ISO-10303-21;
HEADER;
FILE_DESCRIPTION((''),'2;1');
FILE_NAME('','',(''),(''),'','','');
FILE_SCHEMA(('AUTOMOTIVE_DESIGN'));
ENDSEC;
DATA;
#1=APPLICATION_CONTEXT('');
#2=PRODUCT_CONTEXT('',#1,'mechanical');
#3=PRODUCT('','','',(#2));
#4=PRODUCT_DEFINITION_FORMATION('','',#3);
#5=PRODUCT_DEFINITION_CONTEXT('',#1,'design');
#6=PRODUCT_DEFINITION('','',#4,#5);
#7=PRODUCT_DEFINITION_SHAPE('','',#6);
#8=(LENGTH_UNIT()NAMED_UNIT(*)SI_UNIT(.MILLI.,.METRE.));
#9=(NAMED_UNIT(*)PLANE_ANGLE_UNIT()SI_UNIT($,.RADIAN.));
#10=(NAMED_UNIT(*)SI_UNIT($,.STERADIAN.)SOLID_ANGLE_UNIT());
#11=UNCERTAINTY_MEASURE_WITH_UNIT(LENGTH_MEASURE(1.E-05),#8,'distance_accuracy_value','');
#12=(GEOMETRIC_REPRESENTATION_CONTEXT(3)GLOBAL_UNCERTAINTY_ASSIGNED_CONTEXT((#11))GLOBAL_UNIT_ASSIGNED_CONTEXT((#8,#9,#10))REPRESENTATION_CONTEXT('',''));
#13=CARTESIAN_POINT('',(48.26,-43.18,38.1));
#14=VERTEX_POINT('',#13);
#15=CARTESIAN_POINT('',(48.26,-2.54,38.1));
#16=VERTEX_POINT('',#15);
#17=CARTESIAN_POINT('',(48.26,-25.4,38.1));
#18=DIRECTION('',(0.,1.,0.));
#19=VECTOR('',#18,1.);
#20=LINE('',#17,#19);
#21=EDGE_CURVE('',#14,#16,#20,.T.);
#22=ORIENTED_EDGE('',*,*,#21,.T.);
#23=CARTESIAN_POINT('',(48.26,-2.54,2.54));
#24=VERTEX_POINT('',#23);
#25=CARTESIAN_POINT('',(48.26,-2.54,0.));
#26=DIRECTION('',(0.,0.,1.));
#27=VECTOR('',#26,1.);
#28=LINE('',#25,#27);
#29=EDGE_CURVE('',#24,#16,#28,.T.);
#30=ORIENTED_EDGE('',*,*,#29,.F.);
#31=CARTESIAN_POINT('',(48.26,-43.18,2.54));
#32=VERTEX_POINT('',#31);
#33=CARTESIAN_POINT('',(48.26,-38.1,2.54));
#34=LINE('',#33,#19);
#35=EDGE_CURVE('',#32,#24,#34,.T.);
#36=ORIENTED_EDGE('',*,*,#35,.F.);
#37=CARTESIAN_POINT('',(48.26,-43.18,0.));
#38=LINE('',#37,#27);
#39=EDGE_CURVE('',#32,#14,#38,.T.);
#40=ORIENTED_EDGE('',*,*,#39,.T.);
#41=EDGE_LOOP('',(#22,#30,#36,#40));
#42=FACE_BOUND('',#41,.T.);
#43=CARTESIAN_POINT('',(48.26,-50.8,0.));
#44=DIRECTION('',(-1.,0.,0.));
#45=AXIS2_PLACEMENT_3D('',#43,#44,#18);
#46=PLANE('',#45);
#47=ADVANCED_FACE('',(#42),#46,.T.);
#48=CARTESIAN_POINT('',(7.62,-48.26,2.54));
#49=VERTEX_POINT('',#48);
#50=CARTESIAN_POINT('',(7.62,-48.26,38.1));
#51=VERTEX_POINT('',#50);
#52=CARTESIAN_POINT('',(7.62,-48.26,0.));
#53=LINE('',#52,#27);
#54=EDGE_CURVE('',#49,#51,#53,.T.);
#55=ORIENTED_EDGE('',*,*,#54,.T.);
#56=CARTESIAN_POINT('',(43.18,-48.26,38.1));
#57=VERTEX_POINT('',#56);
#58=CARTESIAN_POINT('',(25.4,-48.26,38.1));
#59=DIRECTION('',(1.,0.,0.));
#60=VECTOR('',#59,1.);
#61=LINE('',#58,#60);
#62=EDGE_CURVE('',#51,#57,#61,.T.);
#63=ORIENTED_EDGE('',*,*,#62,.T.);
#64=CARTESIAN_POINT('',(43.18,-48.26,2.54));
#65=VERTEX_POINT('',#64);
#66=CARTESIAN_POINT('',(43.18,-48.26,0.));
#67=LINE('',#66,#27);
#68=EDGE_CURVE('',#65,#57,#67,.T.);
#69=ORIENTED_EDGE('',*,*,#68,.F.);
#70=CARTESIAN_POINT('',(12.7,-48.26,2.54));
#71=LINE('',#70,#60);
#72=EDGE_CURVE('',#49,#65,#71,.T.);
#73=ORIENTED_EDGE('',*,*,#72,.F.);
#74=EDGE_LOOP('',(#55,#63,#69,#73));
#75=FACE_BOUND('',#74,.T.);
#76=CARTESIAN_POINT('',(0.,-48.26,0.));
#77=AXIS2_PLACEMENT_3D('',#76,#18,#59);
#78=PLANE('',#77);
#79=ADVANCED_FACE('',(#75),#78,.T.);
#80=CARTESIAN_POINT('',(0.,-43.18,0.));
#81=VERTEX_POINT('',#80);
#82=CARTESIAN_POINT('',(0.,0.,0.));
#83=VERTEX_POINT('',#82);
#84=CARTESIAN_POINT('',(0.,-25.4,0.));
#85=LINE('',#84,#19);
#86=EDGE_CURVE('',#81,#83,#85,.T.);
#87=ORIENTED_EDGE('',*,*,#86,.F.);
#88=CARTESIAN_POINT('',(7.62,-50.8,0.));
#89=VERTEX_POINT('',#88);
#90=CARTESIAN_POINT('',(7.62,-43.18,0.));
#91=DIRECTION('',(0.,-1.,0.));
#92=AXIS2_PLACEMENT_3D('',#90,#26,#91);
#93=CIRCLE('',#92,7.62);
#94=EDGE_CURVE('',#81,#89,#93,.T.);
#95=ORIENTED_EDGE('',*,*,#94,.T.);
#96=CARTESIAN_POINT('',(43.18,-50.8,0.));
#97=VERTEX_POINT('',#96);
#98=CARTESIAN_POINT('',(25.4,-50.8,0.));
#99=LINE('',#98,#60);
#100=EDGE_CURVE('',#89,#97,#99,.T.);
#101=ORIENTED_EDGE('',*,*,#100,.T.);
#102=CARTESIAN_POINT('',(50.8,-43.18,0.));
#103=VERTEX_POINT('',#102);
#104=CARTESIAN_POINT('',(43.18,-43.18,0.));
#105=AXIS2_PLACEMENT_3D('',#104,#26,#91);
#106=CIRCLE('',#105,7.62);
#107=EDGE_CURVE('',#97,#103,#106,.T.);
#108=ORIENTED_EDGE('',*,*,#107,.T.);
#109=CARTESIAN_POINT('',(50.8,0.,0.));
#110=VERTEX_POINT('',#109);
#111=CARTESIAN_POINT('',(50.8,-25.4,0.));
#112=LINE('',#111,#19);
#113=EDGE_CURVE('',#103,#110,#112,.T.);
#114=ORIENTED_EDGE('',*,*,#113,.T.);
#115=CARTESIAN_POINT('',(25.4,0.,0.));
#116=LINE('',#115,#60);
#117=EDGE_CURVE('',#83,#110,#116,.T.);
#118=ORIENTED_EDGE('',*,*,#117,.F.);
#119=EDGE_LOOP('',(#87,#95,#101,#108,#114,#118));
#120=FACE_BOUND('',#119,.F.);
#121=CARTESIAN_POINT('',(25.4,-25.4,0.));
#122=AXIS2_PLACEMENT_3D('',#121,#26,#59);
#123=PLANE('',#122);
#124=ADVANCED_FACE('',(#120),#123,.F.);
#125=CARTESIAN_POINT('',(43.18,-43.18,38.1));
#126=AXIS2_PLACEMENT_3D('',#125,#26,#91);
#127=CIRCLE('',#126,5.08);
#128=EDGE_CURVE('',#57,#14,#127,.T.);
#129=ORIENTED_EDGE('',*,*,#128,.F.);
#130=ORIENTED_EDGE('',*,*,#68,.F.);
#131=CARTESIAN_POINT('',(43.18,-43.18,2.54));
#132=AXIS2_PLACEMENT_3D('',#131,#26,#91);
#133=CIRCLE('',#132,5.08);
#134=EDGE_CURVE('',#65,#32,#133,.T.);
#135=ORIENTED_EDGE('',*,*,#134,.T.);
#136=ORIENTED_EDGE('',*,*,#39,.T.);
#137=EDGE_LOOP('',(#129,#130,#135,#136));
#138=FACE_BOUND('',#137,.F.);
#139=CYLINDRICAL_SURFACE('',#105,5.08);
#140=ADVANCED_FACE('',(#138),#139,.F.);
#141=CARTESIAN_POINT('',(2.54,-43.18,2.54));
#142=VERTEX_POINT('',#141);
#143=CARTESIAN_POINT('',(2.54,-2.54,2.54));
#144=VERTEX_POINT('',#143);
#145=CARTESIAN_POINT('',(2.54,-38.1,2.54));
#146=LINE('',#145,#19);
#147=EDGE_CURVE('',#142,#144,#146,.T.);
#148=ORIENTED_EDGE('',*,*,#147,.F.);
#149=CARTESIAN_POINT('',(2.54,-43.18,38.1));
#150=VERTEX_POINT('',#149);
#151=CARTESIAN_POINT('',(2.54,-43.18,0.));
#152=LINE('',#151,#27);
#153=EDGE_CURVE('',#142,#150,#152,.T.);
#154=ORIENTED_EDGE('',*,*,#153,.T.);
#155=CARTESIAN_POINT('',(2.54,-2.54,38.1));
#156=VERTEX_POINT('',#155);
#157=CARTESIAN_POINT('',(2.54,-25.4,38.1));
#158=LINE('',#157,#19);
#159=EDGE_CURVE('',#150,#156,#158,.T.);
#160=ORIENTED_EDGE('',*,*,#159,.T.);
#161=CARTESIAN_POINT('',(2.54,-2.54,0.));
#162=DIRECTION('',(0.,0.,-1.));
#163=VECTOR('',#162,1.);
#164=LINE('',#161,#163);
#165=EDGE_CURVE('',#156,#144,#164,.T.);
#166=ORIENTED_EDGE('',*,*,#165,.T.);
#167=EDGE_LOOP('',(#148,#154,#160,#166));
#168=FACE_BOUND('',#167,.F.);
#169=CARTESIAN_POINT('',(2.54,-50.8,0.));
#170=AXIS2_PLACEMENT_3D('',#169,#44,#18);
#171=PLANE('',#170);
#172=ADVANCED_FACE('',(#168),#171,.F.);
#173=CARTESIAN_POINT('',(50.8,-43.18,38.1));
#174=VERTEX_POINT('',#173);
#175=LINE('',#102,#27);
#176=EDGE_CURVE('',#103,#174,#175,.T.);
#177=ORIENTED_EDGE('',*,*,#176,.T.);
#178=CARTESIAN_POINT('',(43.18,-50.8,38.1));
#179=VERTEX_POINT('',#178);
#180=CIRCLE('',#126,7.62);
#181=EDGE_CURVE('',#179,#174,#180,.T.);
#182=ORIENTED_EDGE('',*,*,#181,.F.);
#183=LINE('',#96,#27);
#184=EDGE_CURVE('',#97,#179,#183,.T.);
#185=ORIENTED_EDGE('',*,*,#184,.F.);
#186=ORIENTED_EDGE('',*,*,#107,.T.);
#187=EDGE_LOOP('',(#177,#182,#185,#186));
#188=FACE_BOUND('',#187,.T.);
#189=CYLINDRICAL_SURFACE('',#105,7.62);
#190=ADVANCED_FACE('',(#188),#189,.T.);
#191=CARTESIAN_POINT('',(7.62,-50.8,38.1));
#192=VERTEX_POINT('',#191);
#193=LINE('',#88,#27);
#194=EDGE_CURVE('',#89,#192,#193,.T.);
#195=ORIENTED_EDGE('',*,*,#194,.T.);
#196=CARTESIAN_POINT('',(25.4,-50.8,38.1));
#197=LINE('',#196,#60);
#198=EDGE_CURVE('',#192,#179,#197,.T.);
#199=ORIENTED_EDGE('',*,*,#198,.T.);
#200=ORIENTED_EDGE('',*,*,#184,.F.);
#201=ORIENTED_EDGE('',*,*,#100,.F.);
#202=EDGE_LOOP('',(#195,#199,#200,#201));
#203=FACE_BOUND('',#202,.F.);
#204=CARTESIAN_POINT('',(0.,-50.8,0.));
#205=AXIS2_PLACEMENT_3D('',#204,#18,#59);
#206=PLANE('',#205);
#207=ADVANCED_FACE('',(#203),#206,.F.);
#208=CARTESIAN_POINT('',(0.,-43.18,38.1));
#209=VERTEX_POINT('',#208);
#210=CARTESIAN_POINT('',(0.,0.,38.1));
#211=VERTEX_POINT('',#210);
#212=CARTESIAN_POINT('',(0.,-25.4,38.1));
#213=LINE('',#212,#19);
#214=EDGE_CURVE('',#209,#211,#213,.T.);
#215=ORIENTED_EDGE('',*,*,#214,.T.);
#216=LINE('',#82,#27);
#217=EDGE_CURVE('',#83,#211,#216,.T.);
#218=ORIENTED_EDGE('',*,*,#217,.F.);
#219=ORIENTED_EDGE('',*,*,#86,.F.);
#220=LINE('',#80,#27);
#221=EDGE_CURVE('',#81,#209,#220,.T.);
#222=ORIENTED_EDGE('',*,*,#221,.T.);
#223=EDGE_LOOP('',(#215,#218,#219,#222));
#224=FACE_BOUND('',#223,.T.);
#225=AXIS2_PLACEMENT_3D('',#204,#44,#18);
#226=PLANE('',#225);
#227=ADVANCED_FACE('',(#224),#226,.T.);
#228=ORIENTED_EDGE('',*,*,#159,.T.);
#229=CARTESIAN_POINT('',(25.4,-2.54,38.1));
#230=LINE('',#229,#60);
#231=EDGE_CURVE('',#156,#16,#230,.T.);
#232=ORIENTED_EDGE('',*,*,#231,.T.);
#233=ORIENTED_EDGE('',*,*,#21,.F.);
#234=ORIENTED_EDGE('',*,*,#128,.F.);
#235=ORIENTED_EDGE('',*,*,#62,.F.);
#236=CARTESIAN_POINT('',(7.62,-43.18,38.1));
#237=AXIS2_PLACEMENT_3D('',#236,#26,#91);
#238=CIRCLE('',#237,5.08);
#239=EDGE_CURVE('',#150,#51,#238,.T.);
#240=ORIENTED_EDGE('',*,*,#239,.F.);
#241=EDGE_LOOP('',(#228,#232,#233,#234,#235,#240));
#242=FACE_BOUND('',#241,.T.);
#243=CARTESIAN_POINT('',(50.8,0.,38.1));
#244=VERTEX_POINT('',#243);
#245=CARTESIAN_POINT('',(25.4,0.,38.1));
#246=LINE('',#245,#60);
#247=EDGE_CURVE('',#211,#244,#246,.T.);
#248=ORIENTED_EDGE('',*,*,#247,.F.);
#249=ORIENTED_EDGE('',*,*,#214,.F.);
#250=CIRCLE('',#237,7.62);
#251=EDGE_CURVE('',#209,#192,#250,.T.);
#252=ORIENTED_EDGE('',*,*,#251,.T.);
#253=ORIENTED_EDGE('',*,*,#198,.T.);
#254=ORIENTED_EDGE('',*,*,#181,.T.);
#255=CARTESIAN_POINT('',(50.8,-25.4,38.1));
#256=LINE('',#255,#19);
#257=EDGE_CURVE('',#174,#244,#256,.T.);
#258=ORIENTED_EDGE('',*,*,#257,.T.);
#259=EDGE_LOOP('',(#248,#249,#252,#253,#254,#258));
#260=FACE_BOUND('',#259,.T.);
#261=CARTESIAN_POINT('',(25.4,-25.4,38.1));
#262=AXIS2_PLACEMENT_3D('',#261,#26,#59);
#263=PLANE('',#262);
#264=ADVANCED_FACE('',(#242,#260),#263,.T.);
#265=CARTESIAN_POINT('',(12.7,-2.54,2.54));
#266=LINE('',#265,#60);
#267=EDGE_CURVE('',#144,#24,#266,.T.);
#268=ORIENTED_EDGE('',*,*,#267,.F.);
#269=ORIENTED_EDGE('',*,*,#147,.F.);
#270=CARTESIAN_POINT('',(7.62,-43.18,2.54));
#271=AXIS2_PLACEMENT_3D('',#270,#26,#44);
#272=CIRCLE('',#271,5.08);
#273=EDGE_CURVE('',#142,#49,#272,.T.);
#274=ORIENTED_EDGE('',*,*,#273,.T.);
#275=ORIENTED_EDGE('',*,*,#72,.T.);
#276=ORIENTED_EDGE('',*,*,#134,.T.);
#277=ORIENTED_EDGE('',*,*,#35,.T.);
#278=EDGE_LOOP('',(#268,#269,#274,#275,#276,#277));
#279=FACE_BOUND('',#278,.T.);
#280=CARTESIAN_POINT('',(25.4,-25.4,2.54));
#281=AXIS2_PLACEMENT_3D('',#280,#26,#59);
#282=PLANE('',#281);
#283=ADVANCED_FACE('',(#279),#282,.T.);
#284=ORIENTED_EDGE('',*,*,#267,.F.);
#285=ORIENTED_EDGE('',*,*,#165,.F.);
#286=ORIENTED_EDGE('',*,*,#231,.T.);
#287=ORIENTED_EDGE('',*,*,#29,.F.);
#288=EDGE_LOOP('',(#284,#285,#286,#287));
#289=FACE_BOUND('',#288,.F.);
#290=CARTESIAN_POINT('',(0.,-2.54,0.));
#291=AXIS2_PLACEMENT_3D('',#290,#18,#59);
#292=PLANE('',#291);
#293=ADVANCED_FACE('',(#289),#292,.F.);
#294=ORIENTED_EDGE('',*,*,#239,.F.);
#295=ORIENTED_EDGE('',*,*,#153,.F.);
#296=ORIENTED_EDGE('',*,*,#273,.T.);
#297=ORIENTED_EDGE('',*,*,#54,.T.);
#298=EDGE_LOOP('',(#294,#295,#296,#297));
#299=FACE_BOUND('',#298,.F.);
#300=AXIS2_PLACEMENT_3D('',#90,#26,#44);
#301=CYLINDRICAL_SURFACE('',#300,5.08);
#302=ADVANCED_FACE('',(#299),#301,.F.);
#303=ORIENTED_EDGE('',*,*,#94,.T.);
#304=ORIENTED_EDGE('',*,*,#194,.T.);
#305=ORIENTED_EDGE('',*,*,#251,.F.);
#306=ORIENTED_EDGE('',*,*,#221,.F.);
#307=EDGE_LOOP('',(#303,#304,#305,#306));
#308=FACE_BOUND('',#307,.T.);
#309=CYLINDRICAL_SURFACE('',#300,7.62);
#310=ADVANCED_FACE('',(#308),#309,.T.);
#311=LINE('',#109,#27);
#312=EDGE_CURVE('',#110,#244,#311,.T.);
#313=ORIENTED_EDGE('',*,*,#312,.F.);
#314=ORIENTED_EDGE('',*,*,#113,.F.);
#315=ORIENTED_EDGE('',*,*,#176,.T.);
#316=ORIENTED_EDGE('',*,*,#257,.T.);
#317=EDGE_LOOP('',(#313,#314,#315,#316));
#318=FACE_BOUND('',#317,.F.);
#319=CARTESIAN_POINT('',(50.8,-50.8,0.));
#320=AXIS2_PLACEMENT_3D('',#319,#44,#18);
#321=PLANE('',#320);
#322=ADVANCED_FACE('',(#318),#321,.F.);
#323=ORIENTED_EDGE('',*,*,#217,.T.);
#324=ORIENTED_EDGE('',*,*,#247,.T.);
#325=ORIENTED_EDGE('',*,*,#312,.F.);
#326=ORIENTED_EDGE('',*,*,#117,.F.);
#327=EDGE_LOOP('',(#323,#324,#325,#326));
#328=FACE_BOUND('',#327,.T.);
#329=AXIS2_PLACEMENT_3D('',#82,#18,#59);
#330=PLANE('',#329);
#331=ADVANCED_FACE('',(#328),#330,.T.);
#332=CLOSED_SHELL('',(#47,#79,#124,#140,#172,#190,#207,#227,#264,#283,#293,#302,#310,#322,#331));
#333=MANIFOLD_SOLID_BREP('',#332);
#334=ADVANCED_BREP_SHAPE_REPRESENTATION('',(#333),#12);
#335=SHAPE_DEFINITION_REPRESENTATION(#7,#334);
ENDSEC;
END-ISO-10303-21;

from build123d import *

# Parameters (mm, degrees)
F0_W     = 50.8
F0_H     = 50.8
F1_DEPTH = 38.1
F2_R     = 7.62
F3_T     = -2.54


with BuildPart() as f1:
    # F0 (on Top) → F1 (new body)
    with BuildSketch(Plane.XY):
        with Locations((25.4, -25.4)):
            Rectangle(F0_W, F0_H)
    extrude(amount=F1_DEPTH)

    # F2
    f2_edges = [f1.edges().sort_by_distance(p)[0] for p in [
        (50.8, -50.8, 19.05),
        (0, -50.8, 19.05),
    ]]
    fillet(f2_edges, radius=F2_R)

    # F3
    f3_openings = [f1.faces().sort_by_distance(p)[0] for p in [
        (25.4, -25.168915, 38.1),
    ]]
    offset(amount=F3_T, openings=f3_openings)


solid = f1.part
